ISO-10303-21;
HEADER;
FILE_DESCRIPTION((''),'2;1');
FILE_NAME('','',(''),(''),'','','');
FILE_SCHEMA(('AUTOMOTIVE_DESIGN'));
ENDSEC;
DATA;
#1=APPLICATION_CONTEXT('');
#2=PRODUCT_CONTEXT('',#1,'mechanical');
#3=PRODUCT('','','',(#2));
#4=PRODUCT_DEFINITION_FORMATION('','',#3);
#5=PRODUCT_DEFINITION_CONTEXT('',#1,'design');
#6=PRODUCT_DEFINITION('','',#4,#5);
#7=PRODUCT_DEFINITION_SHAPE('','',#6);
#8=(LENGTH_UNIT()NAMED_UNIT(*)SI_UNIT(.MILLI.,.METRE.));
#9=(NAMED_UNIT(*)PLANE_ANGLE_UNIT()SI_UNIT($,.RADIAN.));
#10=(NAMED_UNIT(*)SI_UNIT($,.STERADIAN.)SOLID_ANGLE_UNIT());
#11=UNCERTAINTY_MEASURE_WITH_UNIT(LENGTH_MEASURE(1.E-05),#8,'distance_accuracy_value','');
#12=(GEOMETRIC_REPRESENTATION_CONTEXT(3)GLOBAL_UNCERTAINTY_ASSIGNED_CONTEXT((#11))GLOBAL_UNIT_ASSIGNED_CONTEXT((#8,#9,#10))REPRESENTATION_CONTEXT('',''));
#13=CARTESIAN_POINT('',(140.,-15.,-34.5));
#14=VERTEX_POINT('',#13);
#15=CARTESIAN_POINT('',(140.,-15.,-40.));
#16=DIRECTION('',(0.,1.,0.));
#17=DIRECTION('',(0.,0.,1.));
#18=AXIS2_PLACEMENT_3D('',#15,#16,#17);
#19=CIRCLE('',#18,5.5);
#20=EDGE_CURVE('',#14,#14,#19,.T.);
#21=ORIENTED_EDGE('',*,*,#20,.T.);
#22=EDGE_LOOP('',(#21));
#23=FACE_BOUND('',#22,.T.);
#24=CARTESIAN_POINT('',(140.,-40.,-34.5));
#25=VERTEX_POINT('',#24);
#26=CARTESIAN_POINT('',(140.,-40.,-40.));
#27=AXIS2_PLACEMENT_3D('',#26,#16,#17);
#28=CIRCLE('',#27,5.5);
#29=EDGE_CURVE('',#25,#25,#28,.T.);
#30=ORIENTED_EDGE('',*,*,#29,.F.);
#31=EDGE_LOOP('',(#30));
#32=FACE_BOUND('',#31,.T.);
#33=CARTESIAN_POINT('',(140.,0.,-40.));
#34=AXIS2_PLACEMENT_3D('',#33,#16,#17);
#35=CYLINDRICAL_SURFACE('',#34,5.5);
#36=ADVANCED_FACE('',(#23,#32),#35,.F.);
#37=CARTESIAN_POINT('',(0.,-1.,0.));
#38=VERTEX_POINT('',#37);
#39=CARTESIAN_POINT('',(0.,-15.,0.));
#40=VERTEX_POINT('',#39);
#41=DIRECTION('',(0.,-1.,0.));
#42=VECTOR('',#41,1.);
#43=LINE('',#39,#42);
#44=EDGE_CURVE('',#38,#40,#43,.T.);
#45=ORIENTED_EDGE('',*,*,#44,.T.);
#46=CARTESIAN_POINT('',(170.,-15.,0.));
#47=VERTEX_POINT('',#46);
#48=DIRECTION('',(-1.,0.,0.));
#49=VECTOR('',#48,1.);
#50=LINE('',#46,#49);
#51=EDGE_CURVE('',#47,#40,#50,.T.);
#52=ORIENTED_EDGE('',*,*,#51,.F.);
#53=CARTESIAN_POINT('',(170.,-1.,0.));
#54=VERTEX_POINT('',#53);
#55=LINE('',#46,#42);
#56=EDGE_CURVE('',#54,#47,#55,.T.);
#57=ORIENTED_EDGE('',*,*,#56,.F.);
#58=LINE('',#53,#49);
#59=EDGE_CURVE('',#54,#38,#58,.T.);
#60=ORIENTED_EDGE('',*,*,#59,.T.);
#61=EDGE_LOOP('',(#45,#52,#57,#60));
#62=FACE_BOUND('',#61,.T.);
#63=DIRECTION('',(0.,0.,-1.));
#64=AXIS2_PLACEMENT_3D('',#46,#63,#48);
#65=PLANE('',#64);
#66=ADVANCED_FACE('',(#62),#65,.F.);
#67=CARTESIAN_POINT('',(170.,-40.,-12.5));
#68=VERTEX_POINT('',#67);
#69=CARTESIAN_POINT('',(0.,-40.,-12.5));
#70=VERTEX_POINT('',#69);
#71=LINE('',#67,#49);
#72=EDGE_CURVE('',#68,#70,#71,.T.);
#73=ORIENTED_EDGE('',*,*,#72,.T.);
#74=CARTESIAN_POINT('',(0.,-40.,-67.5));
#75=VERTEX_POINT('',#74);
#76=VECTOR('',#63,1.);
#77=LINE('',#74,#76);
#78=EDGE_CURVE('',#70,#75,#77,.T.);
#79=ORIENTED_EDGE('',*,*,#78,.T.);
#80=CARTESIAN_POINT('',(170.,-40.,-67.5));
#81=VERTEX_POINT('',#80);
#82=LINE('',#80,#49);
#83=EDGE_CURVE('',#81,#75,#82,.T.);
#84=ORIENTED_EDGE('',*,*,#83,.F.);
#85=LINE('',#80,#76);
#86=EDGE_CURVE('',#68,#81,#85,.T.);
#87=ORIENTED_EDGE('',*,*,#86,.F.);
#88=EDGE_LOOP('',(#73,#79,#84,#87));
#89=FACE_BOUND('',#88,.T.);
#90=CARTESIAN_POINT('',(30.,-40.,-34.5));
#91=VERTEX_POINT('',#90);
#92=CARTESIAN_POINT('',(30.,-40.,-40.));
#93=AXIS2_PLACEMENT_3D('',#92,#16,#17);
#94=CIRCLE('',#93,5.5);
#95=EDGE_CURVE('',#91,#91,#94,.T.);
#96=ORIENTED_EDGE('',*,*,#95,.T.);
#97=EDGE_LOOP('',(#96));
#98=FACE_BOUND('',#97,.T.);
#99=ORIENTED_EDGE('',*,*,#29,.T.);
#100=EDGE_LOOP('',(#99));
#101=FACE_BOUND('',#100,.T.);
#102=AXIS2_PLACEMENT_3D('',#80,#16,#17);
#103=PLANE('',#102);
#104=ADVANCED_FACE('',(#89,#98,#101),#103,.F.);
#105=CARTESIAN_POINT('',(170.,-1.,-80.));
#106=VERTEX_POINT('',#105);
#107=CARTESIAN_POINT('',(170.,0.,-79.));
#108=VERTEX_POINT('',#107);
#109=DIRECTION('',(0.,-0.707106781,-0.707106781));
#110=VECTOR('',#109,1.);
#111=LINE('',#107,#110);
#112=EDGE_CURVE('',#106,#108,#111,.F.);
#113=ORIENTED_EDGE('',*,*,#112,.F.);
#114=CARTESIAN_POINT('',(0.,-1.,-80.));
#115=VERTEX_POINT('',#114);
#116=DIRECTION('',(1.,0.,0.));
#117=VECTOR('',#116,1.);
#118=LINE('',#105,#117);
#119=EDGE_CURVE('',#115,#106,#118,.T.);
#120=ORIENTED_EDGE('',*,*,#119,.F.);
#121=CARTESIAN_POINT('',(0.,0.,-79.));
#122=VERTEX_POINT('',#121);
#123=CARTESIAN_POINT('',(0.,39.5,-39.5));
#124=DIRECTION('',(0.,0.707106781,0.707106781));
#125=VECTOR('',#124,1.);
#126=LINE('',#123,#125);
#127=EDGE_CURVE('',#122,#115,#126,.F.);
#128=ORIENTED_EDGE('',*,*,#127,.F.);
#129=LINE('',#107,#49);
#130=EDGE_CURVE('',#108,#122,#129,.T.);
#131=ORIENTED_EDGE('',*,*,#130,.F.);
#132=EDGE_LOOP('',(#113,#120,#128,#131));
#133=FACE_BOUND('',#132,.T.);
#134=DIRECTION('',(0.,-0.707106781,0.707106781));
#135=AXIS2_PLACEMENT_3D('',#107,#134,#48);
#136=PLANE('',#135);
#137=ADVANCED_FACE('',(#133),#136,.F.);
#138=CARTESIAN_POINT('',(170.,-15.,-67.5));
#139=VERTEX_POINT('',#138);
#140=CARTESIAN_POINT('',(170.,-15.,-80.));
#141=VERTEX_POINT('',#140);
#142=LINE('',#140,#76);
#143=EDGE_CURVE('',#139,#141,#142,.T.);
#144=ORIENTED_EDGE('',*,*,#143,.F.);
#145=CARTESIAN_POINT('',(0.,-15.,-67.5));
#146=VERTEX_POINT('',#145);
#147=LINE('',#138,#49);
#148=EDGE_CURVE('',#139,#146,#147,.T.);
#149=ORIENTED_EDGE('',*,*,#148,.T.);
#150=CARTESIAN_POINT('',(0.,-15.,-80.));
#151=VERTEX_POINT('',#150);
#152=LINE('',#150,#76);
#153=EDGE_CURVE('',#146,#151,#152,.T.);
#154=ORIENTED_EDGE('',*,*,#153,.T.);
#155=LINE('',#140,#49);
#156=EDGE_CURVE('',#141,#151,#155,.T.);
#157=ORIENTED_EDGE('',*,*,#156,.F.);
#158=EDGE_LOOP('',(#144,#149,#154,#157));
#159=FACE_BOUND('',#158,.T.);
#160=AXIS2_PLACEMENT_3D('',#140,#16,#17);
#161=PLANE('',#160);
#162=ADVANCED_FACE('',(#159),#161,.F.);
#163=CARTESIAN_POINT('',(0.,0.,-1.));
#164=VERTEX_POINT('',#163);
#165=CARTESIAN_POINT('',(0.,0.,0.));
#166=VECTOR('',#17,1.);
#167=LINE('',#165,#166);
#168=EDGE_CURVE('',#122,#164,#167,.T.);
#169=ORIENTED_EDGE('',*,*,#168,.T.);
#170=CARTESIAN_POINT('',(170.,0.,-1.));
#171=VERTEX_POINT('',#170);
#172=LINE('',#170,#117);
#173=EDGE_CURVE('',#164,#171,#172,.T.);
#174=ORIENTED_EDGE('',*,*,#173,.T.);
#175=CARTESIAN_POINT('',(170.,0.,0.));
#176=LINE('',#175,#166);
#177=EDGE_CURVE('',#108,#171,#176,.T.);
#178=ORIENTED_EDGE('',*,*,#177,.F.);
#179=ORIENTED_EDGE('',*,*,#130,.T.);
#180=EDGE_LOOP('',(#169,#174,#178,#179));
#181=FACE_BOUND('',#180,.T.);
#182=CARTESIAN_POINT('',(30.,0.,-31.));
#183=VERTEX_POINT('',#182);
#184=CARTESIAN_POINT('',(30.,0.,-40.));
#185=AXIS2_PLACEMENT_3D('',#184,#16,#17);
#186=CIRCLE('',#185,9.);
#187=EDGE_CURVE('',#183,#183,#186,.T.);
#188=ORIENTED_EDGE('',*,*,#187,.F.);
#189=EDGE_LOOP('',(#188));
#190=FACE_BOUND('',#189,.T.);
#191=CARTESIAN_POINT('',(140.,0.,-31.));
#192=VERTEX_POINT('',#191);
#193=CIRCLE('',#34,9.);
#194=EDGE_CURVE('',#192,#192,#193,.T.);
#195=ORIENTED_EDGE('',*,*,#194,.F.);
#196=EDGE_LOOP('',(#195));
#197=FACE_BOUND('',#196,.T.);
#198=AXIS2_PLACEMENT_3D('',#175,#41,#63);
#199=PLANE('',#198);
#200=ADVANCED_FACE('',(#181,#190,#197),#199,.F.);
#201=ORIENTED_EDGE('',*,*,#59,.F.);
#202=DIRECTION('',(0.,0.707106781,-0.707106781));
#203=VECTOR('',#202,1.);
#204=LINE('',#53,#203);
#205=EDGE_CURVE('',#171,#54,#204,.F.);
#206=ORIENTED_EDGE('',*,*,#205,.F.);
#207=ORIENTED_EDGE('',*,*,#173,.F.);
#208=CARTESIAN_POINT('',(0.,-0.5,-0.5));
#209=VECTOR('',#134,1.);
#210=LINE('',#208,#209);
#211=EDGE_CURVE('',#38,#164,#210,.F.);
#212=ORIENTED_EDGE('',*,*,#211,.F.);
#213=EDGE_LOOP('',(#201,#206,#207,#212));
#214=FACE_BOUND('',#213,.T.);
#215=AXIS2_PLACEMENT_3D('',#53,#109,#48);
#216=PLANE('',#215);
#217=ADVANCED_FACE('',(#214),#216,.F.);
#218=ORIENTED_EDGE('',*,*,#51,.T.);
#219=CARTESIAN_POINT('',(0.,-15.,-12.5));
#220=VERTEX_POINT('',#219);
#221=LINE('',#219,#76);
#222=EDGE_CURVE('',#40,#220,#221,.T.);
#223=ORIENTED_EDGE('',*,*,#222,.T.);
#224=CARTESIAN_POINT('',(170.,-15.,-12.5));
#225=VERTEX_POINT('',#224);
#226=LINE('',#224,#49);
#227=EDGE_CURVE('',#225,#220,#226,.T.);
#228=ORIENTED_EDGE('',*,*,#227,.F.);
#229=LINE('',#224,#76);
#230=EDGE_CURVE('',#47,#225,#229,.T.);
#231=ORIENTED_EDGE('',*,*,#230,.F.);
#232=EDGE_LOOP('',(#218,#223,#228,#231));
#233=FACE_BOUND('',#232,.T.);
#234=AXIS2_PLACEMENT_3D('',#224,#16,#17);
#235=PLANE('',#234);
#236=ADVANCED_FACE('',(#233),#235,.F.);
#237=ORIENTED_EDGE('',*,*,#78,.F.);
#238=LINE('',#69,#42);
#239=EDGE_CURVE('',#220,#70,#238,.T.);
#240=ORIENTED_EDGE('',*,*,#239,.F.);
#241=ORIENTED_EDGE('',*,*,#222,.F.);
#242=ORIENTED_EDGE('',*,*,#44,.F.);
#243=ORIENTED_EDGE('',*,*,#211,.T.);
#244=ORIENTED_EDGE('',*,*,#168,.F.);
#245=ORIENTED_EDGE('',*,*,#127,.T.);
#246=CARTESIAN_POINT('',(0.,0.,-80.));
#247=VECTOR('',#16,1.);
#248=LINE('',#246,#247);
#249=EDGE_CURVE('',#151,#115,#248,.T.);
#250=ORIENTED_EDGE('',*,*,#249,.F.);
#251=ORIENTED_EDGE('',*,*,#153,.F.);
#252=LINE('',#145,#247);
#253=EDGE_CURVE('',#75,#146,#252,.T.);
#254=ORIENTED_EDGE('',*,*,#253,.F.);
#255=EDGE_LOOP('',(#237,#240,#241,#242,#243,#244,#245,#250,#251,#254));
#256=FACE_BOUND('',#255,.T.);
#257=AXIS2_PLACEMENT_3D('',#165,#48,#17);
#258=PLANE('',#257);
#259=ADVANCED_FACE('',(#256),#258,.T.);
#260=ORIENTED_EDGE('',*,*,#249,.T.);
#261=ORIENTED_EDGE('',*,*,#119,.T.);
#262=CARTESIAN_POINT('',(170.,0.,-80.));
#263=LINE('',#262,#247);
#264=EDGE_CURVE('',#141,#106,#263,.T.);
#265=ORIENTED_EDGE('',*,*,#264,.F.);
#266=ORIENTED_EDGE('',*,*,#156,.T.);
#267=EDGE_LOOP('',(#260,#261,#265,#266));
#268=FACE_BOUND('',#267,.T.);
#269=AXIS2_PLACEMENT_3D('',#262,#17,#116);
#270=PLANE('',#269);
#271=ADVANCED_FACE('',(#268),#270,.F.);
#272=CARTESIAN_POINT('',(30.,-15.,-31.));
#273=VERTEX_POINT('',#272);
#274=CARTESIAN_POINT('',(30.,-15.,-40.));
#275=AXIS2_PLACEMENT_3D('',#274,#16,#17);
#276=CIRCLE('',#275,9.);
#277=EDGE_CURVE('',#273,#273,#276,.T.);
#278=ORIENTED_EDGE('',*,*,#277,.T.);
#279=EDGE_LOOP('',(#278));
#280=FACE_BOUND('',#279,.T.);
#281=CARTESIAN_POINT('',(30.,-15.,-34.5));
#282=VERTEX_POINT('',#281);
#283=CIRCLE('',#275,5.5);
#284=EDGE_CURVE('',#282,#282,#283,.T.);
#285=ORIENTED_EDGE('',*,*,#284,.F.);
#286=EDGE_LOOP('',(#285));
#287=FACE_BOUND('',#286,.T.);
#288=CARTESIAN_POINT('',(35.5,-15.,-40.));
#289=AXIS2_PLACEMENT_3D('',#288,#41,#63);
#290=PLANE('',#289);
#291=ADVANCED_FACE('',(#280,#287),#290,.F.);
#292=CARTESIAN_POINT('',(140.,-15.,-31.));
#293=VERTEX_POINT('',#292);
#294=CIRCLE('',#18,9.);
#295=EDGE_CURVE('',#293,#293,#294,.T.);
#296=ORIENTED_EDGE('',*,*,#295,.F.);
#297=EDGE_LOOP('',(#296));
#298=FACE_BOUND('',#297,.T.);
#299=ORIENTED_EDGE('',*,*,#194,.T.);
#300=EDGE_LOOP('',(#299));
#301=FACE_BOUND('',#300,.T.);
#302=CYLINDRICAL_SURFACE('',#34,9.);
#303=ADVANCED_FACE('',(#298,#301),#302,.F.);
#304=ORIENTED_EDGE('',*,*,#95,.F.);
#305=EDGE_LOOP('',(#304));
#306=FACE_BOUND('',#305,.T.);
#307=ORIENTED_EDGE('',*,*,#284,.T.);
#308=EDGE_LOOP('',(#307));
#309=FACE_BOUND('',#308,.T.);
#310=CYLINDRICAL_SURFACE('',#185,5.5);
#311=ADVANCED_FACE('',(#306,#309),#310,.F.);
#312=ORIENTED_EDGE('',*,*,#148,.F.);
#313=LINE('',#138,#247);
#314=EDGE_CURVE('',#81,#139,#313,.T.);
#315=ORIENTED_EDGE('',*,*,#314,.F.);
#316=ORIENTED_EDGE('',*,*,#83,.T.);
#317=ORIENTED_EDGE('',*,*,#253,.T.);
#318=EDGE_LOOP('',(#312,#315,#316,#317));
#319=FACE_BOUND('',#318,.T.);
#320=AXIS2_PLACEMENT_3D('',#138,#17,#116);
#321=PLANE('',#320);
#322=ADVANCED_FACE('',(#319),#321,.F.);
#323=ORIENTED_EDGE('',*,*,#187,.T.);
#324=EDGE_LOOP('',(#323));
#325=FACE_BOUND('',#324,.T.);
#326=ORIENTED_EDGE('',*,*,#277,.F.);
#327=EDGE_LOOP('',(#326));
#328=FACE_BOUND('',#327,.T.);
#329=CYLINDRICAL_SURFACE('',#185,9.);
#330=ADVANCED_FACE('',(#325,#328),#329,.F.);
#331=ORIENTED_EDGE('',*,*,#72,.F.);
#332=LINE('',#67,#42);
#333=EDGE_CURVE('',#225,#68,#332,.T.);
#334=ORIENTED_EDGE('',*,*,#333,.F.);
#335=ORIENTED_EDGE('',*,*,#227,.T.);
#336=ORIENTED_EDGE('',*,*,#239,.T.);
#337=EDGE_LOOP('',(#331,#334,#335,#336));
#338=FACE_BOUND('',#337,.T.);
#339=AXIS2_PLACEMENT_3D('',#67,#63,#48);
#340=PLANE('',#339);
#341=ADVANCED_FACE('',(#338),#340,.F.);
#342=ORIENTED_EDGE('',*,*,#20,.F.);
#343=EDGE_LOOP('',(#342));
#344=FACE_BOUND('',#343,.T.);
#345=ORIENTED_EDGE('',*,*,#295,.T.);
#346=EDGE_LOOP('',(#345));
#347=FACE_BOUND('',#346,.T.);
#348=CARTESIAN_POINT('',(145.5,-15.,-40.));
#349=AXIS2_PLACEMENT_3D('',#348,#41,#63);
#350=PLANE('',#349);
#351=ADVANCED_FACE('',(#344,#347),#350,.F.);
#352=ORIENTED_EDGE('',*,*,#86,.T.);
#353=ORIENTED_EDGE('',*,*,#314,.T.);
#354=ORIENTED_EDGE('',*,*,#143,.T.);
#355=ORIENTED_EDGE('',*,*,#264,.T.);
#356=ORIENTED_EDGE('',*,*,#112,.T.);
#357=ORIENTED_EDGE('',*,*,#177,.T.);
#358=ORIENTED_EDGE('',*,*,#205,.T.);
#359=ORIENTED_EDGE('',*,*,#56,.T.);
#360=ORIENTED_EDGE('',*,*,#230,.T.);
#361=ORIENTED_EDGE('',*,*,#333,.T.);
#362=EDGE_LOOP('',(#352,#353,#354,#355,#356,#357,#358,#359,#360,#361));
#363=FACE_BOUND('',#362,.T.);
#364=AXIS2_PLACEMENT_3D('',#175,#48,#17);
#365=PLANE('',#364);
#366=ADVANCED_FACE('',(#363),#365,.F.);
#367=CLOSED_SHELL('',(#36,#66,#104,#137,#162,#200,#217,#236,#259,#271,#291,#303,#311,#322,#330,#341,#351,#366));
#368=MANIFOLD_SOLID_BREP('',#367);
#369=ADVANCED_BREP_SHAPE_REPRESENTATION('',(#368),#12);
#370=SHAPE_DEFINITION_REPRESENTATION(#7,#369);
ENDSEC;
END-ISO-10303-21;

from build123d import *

# Parameters (mm, degrees)
EXTRUDE_1_DEPTH           = 170
HOLE_WIZARD_1_D           = 11
HOLE_WIZARD_1_CBORE_D     = 18
HOLE_WIZARD_1_CBORE_DEPTH = 15
CHAMFER_1_SIZE            = 1


with BuildPart() as part:
    # 草图2 → 凸台-拉伸1 (new body)
    with BuildSketch(Plane(origin=(0, 0, 0), x_dir=(0, 0, -1), z_dir=(1, 0, 0))):
        Polygon((0, 0), (80, 0), (80, -15), (67.5, -15), (67.5, -40), (12.5, -40), (12.5, -15), (0, -15), align=None)
    extrude(amount=EXTRUDE_1_DEPTH)

    # 孔1 (through all)
    with Locations(Plane(origin=(30, 0, -40), x_dir=(0, 0, 1), z_dir=(0, 1, 0))):
        with Locations((0, 0), (0, 110)):
            CounterBoreHole(HOLE_WIZARD_1_D / 2, HOLE_WIZARD_1_CBORE_D / 2, HOLE_WIZARD_1_CBORE_DEPTH)

    # 倒角1
    chamfer_1_edges = [part.edges().sort_by_distance(p)[0] for p in [
        (85, 0, 0),
        (85, 0, -80),
    ]]
    chamfer(chamfer_1_edges, length=CHAMFER_1_SIZE)


solid = part.part
